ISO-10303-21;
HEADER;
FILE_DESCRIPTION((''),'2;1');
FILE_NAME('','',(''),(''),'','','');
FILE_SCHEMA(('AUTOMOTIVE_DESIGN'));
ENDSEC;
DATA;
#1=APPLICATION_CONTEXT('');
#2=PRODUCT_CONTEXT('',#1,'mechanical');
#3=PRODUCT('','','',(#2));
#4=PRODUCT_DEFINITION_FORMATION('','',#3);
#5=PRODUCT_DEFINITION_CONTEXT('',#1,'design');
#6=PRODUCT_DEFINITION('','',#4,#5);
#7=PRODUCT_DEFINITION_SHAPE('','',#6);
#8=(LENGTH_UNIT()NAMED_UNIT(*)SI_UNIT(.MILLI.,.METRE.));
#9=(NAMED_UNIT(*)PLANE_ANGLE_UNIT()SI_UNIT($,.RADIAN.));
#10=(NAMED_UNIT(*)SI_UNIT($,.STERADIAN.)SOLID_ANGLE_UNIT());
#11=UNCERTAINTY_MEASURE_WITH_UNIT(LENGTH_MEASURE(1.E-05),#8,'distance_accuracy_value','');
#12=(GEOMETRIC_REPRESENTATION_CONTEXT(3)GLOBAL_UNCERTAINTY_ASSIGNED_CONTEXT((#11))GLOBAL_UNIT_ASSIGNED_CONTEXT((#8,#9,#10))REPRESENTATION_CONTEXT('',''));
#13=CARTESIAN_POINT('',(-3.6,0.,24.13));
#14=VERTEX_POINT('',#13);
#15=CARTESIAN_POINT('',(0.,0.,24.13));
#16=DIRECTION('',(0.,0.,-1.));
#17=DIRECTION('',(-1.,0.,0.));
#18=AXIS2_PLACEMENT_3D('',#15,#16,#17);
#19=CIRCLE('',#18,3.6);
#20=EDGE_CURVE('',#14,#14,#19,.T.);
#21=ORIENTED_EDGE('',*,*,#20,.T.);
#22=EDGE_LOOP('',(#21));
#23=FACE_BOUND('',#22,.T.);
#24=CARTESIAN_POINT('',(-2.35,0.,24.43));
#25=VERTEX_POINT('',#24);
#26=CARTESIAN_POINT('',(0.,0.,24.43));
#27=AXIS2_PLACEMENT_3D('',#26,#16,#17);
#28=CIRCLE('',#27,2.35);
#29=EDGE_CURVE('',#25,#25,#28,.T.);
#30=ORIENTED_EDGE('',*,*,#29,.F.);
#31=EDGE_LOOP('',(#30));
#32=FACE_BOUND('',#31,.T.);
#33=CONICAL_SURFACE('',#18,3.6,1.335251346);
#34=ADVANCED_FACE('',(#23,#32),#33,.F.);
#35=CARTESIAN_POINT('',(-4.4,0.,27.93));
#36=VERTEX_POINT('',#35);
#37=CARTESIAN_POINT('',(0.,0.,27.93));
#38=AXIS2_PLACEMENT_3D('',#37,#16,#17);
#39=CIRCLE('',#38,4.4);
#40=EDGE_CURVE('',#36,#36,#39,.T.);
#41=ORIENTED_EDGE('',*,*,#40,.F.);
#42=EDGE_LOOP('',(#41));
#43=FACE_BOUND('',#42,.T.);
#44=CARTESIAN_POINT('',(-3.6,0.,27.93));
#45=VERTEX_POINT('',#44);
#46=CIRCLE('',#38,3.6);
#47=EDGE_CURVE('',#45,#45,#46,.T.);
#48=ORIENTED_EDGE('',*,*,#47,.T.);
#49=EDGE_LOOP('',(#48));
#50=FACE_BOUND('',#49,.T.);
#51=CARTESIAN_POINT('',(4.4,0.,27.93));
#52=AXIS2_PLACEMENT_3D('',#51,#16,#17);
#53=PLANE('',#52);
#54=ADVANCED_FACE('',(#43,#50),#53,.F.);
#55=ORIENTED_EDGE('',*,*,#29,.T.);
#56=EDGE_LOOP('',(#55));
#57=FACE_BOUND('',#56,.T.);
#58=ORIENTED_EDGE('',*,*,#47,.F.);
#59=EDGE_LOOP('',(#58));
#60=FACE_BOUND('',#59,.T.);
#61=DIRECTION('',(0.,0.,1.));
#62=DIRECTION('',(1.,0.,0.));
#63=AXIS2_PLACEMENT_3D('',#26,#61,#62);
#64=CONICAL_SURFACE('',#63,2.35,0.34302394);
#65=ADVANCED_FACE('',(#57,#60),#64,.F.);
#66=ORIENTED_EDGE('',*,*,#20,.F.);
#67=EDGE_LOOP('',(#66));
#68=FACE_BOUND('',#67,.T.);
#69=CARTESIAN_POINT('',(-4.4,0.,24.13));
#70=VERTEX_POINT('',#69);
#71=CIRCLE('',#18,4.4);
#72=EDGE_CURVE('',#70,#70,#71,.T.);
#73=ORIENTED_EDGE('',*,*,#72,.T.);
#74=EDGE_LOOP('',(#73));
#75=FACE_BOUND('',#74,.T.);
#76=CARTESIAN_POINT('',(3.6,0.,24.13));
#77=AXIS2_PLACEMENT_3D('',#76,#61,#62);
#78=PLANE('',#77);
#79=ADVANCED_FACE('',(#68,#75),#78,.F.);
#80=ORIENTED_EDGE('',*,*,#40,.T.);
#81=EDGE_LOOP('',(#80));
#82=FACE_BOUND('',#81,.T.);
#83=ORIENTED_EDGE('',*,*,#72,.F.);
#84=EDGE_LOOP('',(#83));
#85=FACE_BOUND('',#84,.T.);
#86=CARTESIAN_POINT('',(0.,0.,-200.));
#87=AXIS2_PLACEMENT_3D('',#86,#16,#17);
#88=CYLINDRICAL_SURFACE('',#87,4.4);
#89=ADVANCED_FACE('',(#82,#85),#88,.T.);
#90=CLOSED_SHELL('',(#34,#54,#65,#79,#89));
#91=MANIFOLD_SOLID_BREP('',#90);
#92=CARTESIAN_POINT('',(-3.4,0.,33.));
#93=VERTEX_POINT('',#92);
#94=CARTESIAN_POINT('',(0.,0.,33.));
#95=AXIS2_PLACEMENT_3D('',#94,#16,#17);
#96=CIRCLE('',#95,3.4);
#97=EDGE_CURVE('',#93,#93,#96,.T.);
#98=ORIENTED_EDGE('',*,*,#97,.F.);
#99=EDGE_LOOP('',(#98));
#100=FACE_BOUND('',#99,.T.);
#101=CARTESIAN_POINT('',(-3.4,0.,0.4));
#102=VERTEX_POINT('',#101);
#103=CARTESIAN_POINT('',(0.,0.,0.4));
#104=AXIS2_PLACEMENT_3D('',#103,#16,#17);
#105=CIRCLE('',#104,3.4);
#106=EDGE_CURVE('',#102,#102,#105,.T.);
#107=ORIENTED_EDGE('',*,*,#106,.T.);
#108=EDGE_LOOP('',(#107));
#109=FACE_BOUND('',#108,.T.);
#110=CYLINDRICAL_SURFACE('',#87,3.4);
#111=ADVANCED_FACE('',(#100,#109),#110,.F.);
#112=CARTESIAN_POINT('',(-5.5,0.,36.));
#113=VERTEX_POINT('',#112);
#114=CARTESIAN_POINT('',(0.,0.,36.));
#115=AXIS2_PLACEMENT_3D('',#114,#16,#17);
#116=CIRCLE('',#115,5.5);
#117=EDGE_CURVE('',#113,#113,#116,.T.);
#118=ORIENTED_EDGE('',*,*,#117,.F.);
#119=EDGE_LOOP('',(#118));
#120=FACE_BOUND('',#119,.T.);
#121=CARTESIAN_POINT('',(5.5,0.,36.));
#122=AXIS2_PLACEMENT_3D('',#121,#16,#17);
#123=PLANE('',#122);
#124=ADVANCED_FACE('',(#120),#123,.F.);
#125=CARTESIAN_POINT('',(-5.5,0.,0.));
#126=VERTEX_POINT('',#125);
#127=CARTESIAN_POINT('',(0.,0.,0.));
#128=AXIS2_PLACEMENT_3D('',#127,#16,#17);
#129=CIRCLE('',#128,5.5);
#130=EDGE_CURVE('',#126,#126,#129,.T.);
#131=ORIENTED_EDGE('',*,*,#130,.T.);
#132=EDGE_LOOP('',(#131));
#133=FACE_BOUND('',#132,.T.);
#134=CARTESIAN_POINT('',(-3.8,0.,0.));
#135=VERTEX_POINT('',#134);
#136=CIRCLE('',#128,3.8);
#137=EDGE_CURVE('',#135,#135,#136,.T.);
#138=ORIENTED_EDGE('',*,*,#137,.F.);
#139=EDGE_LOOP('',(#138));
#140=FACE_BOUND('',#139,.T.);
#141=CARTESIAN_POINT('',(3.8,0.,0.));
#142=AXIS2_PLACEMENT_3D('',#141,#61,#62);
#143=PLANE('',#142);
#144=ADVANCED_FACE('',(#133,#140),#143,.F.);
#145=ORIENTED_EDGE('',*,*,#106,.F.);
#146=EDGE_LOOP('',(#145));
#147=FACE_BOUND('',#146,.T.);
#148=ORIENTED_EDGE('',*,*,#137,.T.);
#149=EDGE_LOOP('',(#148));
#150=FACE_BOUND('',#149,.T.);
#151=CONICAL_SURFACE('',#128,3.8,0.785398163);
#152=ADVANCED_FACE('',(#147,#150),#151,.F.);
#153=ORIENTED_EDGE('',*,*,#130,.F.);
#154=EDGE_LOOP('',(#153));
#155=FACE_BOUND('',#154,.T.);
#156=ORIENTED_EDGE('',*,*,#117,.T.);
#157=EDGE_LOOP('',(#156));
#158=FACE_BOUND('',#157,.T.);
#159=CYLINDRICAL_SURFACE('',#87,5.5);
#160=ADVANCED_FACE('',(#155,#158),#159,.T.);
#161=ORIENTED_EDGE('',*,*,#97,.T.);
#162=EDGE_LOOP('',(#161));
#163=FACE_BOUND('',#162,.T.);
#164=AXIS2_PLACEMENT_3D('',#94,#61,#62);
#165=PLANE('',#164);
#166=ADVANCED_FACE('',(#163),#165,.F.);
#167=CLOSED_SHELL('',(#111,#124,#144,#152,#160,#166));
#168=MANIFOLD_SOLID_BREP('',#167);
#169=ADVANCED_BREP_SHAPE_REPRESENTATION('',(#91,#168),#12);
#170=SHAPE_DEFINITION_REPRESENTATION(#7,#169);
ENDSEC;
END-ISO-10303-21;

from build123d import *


with BuildPart() as part:
    # Sketch1 → Bore (revolve)
    with BuildSketch(Plane(origin=(0, 0, 0), x_dir=(-1, 0, 0), z_dir=(0, 1, 0)), mode=Mode.PRIVATE) as bore_sk:
        Polygon((-3.8, 0), (-5.5, 0), (-5.5, 36), (0, 36), (0, 33), (-3.4, 33), (-3.4, 0.4), align=None)
    revolve(bore_sk.sketch.rotate(Axis((0, 0, -200), (0, 0, 1)), 180), axis=Axis((0, 0, -200), (0, 0, 1)))


with BuildPart() as body_2:
    # Sketch2 → Detent (revolve)
    with BuildSketch(Plane(origin=(0, 0, 0), x_dir=(-1, 0, 0), z_dir=(0, 1, 0)), mode=Mode.PRIVATE) as detent_sk:
        Polygon((-3.6, 24.13), (-4.4, 24.13), (-4.4, 27.93), (-3.6, 27.93), (-2.35, 24.43), align=None)
    revolve(detent_sk.sketch.rotate(Axis((0, 0, -200), (0, 0, 1)), 180), axis=Axis((0, 0, -200), (0, 0, 1)))


solid = Compound([part.part, body_2.part])
